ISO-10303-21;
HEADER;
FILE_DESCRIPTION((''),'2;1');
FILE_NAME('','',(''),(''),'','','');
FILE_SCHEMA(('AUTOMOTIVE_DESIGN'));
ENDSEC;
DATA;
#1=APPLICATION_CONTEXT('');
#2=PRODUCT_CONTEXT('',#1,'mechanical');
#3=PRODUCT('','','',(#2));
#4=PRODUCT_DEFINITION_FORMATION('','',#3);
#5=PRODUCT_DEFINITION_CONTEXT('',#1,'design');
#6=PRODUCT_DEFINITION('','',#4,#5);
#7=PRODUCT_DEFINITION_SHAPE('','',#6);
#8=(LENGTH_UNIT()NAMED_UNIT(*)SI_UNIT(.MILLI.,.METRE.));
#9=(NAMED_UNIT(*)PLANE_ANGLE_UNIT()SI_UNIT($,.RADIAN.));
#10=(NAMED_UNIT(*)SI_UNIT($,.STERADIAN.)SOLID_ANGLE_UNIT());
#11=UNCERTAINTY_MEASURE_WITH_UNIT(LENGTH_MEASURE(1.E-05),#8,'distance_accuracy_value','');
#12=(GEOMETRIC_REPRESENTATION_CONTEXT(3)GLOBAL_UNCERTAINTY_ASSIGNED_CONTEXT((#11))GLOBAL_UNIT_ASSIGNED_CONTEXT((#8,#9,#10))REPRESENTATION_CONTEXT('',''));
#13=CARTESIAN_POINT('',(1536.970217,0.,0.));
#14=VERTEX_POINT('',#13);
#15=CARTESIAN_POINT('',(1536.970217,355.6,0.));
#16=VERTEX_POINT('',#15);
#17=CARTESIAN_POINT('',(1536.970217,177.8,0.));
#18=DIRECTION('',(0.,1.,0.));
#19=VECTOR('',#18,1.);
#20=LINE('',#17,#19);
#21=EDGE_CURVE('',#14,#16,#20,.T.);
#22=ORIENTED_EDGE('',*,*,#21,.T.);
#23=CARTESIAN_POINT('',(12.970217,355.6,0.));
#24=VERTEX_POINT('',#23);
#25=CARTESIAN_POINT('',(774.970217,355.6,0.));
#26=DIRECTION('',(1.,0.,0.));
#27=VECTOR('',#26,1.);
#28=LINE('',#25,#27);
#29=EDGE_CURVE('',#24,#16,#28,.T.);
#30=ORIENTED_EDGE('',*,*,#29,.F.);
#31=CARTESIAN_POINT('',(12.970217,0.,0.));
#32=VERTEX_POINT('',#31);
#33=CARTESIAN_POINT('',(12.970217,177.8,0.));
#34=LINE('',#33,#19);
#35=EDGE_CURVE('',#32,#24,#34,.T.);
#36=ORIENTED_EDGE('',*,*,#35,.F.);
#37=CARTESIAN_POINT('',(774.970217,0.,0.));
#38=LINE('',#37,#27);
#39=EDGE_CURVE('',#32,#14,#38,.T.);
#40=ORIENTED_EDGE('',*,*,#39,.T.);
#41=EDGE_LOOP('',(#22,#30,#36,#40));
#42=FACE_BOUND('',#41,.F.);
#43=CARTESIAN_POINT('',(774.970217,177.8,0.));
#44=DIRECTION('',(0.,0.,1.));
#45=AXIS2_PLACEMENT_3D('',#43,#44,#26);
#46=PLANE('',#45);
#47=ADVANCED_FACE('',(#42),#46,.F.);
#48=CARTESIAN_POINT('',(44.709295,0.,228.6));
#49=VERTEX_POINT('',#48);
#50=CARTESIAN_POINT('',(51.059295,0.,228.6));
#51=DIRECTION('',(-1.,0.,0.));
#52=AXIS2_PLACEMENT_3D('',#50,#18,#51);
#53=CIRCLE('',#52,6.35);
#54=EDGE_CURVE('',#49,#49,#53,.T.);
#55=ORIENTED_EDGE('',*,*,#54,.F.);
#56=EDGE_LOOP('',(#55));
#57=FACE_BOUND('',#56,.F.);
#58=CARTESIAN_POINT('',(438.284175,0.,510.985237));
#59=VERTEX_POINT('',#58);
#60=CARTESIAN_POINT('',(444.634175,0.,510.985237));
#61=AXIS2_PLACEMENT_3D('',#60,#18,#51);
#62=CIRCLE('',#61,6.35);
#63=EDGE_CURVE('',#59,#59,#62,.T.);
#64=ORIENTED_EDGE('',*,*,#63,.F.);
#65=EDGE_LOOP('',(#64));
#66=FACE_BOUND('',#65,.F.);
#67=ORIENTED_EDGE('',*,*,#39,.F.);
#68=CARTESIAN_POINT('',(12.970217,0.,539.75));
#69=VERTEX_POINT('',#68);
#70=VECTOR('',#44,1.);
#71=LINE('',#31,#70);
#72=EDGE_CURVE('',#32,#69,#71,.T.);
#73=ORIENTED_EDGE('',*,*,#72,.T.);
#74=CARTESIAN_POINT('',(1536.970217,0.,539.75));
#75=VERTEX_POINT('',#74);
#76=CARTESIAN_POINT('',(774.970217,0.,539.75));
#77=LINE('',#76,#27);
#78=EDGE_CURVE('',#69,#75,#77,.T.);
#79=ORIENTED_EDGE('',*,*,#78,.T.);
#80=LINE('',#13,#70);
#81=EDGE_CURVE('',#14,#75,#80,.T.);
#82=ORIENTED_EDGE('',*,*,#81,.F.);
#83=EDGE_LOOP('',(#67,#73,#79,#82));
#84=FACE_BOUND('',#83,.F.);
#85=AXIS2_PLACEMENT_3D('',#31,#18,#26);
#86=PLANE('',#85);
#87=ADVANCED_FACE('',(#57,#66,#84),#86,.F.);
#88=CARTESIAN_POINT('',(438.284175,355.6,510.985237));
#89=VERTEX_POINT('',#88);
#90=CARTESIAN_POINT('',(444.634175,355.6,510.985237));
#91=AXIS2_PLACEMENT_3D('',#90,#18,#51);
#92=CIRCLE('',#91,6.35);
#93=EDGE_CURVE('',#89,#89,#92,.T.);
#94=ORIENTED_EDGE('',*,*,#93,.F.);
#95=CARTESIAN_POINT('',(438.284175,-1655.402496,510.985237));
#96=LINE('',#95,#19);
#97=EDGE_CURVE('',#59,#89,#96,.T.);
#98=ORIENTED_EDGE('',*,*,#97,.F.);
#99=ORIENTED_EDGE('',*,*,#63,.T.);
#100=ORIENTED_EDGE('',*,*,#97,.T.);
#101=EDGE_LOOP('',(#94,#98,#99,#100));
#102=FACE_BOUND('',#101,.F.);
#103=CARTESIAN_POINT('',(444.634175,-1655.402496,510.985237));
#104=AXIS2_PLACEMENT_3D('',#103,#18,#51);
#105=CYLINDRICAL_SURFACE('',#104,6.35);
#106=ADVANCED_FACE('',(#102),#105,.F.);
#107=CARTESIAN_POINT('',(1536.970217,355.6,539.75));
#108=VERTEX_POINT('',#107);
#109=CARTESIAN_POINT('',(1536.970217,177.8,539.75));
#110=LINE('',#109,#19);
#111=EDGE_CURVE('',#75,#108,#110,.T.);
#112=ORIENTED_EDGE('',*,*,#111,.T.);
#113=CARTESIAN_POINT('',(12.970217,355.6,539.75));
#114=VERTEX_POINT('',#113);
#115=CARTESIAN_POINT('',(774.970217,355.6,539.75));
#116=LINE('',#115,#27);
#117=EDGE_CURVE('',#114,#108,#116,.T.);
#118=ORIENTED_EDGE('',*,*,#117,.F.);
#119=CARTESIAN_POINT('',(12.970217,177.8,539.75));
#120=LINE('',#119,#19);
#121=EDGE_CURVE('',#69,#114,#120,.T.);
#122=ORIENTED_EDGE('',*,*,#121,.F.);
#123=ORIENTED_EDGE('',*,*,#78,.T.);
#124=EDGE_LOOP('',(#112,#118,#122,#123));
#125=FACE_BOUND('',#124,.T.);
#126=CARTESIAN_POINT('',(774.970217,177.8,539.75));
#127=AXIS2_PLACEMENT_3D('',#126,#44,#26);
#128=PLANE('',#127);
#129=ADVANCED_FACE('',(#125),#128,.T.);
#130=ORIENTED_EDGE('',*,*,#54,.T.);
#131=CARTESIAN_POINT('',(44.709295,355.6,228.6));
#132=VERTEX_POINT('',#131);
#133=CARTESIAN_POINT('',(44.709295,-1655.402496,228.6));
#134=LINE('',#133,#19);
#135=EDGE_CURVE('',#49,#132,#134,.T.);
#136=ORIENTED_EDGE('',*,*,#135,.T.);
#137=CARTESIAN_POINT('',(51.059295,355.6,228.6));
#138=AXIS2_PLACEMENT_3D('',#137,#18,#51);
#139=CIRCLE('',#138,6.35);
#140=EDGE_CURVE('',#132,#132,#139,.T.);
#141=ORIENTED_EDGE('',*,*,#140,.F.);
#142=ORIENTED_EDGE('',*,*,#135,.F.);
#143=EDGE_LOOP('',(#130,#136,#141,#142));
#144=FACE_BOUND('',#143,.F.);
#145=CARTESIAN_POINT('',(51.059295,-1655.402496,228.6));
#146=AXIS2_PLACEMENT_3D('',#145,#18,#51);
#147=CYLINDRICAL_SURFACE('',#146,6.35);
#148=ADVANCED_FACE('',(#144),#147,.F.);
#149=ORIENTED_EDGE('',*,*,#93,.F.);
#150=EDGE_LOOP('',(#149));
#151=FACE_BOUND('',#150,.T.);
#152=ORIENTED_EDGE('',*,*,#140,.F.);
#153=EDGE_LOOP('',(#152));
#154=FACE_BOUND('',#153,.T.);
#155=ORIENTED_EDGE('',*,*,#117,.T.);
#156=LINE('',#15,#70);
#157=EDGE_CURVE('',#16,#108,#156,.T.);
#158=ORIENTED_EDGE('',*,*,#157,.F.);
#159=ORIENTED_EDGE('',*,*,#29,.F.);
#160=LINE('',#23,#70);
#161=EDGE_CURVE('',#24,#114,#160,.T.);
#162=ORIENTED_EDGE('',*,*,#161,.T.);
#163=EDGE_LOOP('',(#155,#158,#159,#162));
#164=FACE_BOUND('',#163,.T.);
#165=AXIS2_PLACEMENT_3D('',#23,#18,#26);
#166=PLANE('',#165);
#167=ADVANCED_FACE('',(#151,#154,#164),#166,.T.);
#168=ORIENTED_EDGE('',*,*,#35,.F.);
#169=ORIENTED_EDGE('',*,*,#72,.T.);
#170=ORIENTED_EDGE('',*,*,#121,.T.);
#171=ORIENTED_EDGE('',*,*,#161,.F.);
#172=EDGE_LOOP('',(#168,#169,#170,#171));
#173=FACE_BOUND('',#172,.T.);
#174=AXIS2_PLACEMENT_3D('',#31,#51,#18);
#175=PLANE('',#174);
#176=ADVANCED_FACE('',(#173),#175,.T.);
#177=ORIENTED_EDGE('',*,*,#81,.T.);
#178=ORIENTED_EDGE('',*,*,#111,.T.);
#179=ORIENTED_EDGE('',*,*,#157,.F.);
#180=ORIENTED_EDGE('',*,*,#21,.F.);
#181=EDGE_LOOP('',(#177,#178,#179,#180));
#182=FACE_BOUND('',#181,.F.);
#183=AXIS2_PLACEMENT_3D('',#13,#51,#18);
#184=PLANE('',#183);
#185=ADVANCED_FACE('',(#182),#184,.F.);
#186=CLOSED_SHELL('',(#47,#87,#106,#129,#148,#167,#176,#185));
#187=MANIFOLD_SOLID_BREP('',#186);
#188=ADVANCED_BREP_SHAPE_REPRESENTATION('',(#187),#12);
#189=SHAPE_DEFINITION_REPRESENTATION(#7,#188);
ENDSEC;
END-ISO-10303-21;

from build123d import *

# Parameters (mm, degrees)
F0_W     = 1524
F0_H     = 355.6
F1_DEPTH = 539.75
F3_D     = 12.7


with BuildPart() as f1:
    # F0 (on Top) → F1 (new body)
    with BuildSketch(Plane.XY):
        with Locations((774.970217, 177.8)):
            Rectangle(F0_W, F0_H)
    extrude(amount=F1_DEPTH)

    # F3 (through all)
    with Locations(Plane.XZ):
        with Locations((444.634175, 510.985237), (51.059295, 228.6)):
            Hole(F3_D / 2)


solid = f1.part
